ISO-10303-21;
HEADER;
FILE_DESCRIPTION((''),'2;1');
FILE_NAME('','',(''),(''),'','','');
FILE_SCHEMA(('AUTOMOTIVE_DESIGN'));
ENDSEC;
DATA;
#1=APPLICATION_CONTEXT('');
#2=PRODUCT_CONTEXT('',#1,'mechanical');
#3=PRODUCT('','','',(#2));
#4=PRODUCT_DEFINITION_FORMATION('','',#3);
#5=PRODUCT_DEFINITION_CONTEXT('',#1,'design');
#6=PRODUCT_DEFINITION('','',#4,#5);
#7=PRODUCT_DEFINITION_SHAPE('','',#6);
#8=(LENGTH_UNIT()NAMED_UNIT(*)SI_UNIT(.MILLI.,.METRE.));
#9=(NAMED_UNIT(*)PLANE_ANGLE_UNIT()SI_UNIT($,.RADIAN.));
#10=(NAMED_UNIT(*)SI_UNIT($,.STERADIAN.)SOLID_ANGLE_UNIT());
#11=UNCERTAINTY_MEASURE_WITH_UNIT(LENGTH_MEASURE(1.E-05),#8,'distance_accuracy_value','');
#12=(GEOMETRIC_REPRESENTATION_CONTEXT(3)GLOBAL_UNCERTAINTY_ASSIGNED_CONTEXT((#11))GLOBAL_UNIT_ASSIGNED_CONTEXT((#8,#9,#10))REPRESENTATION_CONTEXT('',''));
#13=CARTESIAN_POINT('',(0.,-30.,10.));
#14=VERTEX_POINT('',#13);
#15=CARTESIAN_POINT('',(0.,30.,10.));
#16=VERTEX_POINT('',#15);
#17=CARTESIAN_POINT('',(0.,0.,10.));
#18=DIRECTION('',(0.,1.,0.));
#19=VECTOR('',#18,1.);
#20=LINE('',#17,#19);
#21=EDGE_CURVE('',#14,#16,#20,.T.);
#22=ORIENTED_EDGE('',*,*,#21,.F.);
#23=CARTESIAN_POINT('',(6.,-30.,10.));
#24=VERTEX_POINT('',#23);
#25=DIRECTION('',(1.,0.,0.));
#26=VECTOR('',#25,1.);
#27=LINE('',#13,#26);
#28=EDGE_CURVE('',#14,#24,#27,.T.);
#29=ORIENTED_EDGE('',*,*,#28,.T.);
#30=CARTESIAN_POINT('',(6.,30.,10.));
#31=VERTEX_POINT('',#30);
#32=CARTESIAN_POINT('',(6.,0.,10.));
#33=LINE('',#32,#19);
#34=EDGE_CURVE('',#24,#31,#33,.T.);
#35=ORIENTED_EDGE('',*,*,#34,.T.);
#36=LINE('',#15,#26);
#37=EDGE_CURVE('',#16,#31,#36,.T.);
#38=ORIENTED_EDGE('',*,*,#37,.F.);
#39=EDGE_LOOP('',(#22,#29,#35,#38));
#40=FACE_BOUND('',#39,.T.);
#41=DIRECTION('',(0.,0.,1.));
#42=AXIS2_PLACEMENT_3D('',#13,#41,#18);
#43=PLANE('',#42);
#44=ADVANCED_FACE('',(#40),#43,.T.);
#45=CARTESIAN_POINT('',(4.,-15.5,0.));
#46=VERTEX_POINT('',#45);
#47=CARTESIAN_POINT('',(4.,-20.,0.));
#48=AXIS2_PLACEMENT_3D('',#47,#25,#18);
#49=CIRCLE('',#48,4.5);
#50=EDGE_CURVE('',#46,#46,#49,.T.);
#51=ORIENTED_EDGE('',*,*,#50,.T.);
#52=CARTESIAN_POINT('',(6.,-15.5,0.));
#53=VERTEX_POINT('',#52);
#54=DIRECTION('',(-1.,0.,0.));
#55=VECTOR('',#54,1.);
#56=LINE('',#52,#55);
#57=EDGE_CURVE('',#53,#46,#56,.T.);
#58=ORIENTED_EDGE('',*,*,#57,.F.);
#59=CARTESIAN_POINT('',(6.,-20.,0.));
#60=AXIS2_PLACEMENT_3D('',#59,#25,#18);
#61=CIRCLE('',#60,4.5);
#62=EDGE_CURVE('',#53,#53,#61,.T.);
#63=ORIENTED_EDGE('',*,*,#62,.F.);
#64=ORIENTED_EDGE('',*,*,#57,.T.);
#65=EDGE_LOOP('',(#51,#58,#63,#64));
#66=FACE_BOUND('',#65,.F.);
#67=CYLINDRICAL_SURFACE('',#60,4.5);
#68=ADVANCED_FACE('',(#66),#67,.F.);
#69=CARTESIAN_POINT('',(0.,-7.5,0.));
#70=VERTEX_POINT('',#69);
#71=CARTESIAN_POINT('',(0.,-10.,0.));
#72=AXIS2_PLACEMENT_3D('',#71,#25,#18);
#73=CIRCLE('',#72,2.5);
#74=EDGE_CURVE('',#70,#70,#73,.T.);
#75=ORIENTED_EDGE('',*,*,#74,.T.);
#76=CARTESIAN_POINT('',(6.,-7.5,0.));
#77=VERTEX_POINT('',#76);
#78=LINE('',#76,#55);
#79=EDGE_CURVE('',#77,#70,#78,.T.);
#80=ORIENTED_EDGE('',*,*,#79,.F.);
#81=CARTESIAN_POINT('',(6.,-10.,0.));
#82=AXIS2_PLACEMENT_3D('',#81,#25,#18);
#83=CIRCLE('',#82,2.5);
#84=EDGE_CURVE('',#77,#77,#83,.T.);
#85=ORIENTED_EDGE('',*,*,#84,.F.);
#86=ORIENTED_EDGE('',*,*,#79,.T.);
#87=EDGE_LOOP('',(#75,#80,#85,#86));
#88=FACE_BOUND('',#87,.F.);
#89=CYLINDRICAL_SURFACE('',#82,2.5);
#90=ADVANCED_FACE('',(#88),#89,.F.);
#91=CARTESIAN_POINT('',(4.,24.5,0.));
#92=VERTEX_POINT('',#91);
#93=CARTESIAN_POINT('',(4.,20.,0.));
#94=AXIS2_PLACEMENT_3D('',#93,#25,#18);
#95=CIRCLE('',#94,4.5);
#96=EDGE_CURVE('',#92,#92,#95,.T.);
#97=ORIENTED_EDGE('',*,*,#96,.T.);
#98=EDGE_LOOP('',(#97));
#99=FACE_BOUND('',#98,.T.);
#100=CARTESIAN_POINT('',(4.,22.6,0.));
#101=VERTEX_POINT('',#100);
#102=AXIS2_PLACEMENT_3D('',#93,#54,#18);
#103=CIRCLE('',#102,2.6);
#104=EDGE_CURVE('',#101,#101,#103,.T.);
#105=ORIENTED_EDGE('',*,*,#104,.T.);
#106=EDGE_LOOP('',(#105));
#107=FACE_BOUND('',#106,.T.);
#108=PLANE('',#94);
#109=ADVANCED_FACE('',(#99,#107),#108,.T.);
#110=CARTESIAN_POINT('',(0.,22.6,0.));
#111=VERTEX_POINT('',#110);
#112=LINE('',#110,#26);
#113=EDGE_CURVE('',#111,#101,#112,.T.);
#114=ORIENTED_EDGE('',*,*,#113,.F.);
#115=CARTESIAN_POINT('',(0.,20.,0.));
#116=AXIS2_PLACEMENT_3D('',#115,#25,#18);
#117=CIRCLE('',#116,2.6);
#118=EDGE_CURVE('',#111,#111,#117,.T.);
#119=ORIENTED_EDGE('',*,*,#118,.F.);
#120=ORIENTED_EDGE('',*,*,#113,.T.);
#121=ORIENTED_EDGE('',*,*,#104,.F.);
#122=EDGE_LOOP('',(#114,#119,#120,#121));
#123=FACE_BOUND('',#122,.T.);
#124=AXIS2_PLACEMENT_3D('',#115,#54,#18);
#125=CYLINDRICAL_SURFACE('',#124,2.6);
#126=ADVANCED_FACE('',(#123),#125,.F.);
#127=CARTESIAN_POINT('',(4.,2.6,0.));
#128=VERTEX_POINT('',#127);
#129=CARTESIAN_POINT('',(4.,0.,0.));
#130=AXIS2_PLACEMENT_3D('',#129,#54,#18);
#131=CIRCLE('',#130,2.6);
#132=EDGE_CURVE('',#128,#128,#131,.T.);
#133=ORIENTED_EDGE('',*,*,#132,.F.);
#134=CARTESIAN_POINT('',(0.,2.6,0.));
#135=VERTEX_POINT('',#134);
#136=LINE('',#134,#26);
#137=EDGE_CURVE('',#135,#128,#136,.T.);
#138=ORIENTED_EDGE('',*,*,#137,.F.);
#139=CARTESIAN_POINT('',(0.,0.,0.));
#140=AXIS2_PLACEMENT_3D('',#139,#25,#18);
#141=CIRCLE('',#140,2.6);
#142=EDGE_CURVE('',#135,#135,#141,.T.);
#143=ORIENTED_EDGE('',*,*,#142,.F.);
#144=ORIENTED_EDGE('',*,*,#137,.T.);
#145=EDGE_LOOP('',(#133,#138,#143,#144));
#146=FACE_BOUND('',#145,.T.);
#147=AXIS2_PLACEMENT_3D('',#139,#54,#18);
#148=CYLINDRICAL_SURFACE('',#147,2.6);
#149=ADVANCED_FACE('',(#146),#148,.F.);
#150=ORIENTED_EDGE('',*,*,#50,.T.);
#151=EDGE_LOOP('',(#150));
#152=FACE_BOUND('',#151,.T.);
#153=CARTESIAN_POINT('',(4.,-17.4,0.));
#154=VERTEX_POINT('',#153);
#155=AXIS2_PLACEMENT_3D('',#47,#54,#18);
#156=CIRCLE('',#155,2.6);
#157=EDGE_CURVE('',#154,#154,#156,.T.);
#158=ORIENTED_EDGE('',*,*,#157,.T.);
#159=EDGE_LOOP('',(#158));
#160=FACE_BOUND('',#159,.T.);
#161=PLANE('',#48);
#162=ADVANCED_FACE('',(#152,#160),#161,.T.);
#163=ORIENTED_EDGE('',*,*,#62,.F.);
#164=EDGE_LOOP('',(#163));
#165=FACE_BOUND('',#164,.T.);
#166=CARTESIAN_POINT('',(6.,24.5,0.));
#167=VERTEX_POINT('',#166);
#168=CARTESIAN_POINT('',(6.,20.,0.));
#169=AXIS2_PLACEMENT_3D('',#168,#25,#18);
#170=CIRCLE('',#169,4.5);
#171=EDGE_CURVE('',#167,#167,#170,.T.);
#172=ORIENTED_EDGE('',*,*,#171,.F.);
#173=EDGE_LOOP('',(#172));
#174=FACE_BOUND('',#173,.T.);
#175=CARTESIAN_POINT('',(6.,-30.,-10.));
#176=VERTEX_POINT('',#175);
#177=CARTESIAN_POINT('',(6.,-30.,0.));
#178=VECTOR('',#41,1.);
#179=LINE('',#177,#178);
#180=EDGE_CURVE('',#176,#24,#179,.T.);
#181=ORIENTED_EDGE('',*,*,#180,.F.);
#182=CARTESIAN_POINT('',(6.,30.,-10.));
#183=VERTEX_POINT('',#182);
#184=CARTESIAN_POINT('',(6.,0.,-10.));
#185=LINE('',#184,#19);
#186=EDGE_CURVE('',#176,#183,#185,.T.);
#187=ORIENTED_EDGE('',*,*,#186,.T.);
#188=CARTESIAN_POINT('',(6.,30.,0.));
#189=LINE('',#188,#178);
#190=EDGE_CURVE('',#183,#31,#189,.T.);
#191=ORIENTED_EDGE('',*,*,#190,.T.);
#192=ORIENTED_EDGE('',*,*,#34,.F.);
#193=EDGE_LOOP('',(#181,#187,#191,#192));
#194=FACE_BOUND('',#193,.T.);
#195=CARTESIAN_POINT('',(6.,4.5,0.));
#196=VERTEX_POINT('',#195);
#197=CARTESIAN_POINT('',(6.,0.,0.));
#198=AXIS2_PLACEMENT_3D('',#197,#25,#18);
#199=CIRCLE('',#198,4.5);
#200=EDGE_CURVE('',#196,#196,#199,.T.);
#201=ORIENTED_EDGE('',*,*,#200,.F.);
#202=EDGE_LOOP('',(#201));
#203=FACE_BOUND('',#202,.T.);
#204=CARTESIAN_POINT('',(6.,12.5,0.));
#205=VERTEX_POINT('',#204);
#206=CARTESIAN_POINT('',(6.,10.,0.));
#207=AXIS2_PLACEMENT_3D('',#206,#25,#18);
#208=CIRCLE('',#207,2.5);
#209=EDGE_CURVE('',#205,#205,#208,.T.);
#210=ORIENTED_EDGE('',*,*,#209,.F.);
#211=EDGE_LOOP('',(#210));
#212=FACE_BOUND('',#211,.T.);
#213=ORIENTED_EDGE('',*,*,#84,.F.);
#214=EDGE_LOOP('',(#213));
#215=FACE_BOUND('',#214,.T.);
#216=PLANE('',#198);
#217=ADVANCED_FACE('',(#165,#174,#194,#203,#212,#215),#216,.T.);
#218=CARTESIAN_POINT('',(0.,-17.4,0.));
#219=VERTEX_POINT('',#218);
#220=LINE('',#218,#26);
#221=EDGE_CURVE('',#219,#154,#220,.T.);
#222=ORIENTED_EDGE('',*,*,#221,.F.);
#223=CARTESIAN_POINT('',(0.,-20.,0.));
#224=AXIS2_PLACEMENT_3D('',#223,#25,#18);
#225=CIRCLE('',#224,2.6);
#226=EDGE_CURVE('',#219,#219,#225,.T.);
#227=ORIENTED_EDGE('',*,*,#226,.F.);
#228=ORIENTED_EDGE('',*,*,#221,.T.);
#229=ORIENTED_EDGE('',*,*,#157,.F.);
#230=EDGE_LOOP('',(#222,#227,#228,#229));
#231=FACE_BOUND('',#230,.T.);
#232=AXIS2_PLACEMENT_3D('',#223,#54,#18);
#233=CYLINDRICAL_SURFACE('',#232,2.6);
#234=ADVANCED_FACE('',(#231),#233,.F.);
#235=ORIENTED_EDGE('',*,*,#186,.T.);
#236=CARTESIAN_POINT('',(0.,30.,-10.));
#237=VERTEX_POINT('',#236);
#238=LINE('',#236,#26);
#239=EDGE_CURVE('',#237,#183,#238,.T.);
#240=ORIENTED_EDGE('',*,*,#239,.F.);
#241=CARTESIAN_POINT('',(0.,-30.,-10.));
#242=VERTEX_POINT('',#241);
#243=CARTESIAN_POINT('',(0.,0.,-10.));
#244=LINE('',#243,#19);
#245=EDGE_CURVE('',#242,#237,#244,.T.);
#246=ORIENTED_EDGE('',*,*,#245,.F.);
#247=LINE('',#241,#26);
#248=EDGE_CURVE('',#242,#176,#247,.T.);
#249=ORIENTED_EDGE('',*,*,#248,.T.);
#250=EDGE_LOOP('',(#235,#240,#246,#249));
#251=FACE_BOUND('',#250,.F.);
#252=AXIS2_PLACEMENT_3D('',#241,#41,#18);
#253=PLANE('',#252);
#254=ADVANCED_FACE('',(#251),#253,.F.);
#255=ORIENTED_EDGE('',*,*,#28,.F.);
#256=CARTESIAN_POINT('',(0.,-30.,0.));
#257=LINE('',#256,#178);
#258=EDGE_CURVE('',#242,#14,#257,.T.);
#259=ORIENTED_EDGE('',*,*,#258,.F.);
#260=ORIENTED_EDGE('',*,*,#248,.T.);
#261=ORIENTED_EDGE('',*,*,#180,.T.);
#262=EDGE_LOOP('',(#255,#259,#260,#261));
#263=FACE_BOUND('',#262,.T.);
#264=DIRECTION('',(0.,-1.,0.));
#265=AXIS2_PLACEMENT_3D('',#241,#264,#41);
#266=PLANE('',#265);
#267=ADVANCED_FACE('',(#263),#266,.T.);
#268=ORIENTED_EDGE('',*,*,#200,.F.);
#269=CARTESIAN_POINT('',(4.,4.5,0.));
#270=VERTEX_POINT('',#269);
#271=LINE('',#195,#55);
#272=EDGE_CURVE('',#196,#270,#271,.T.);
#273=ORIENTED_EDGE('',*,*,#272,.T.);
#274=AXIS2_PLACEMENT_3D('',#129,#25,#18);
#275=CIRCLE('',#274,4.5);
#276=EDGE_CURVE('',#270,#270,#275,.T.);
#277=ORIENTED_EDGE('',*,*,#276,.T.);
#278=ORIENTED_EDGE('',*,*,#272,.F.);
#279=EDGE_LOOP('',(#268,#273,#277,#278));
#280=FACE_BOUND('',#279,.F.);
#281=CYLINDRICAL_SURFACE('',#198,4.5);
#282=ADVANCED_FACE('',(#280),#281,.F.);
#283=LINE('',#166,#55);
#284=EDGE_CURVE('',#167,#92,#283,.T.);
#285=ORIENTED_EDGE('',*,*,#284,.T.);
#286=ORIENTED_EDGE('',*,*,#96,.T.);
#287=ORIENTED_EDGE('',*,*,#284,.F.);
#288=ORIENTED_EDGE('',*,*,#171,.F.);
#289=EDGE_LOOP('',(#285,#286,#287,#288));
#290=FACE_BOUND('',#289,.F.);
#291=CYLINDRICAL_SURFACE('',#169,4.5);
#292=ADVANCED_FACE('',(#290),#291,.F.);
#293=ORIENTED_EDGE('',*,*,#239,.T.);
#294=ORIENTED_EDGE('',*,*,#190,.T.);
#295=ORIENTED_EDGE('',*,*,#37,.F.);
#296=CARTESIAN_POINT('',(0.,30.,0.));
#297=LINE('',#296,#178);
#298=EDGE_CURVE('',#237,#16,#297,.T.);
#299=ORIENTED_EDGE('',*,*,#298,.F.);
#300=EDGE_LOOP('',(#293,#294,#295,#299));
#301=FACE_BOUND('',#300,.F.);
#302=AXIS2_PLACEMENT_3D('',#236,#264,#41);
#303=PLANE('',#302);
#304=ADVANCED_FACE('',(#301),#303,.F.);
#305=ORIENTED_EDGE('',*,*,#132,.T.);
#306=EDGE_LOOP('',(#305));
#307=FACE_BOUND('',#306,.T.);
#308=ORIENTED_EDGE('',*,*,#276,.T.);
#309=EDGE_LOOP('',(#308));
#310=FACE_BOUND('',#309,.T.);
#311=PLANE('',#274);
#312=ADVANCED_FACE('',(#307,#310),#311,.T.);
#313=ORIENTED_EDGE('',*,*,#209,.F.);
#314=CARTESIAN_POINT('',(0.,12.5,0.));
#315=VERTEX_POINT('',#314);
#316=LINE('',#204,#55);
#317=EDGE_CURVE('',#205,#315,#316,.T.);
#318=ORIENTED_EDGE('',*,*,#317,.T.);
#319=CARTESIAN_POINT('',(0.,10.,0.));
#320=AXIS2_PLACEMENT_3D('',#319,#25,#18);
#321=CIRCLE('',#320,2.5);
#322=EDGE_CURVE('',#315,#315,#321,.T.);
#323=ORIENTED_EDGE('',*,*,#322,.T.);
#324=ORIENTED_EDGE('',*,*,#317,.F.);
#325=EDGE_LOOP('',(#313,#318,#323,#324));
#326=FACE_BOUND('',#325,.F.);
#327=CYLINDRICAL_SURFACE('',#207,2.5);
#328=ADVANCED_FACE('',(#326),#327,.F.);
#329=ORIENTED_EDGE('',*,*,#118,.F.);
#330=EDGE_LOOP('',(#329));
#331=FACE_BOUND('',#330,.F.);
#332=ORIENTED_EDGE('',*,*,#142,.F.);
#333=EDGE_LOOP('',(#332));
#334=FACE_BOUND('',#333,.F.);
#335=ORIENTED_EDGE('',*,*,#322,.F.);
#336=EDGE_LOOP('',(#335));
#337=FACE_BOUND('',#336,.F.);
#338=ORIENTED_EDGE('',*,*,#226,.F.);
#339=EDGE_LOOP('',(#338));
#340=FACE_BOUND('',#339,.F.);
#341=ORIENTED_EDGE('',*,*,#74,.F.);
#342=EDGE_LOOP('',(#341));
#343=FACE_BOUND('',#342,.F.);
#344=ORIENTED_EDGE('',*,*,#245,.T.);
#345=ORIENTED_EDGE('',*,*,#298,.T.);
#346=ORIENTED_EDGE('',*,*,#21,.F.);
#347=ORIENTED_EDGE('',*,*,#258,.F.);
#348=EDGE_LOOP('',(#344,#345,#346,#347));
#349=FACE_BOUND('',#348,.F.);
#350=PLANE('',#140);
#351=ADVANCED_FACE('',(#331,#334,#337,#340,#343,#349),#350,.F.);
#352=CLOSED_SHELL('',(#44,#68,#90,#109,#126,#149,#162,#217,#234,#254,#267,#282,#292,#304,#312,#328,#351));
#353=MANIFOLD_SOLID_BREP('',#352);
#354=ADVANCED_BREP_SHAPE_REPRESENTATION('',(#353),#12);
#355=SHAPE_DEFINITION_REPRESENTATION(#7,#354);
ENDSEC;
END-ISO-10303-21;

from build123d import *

# Parameters (mm, degrees)
F0_W     = 60
F0_H     = 20
F0_R     = 2.6
F1_DEPTH = 6
F2_R     = 4.5
F3_DEPTH = 2
F4_R     = 2.5
F5_DEPTH = 25


with BuildPart() as f1:
    # F0 (on Right) → F1 (new body)
    with BuildSketch(Plane.YZ):
        Rectangle(F0_W, F0_H)
        with Locations((-20, 0)):
            Circle(F0_R, mode=Mode.SUBTRACT)
        Circle(F0_R, mode=Mode.SUBTRACT)
        with Locations((20, 0)):
            Circle(F0_R, mode=Mode.SUBTRACT)
    extrude(amount=F1_DEPTH)

    # F2 (on face) → F3 (cut)
    with BuildSketch(Plane.YZ.offset(6)):
        with Locations((-20, 0)):
            Circle(F2_R)
        Circle(F2_R)
        with Locations((20, 0)):
            Circle(F2_R)
    extrude(amount=-F3_DEPTH, mode=Mode.SUBTRACT)

    # F4 (on face) → F5 (cut)
    with BuildSketch(Plane.YZ.offset(6)):
        with Locations((-10, 0)):
            Circle(F4_R)
        with Locations((10, 0)):
            Circle(F4_R)
    extrude(amount=-F5_DEPTH, mode=Mode.SUBTRACT)


solid = f1.part
